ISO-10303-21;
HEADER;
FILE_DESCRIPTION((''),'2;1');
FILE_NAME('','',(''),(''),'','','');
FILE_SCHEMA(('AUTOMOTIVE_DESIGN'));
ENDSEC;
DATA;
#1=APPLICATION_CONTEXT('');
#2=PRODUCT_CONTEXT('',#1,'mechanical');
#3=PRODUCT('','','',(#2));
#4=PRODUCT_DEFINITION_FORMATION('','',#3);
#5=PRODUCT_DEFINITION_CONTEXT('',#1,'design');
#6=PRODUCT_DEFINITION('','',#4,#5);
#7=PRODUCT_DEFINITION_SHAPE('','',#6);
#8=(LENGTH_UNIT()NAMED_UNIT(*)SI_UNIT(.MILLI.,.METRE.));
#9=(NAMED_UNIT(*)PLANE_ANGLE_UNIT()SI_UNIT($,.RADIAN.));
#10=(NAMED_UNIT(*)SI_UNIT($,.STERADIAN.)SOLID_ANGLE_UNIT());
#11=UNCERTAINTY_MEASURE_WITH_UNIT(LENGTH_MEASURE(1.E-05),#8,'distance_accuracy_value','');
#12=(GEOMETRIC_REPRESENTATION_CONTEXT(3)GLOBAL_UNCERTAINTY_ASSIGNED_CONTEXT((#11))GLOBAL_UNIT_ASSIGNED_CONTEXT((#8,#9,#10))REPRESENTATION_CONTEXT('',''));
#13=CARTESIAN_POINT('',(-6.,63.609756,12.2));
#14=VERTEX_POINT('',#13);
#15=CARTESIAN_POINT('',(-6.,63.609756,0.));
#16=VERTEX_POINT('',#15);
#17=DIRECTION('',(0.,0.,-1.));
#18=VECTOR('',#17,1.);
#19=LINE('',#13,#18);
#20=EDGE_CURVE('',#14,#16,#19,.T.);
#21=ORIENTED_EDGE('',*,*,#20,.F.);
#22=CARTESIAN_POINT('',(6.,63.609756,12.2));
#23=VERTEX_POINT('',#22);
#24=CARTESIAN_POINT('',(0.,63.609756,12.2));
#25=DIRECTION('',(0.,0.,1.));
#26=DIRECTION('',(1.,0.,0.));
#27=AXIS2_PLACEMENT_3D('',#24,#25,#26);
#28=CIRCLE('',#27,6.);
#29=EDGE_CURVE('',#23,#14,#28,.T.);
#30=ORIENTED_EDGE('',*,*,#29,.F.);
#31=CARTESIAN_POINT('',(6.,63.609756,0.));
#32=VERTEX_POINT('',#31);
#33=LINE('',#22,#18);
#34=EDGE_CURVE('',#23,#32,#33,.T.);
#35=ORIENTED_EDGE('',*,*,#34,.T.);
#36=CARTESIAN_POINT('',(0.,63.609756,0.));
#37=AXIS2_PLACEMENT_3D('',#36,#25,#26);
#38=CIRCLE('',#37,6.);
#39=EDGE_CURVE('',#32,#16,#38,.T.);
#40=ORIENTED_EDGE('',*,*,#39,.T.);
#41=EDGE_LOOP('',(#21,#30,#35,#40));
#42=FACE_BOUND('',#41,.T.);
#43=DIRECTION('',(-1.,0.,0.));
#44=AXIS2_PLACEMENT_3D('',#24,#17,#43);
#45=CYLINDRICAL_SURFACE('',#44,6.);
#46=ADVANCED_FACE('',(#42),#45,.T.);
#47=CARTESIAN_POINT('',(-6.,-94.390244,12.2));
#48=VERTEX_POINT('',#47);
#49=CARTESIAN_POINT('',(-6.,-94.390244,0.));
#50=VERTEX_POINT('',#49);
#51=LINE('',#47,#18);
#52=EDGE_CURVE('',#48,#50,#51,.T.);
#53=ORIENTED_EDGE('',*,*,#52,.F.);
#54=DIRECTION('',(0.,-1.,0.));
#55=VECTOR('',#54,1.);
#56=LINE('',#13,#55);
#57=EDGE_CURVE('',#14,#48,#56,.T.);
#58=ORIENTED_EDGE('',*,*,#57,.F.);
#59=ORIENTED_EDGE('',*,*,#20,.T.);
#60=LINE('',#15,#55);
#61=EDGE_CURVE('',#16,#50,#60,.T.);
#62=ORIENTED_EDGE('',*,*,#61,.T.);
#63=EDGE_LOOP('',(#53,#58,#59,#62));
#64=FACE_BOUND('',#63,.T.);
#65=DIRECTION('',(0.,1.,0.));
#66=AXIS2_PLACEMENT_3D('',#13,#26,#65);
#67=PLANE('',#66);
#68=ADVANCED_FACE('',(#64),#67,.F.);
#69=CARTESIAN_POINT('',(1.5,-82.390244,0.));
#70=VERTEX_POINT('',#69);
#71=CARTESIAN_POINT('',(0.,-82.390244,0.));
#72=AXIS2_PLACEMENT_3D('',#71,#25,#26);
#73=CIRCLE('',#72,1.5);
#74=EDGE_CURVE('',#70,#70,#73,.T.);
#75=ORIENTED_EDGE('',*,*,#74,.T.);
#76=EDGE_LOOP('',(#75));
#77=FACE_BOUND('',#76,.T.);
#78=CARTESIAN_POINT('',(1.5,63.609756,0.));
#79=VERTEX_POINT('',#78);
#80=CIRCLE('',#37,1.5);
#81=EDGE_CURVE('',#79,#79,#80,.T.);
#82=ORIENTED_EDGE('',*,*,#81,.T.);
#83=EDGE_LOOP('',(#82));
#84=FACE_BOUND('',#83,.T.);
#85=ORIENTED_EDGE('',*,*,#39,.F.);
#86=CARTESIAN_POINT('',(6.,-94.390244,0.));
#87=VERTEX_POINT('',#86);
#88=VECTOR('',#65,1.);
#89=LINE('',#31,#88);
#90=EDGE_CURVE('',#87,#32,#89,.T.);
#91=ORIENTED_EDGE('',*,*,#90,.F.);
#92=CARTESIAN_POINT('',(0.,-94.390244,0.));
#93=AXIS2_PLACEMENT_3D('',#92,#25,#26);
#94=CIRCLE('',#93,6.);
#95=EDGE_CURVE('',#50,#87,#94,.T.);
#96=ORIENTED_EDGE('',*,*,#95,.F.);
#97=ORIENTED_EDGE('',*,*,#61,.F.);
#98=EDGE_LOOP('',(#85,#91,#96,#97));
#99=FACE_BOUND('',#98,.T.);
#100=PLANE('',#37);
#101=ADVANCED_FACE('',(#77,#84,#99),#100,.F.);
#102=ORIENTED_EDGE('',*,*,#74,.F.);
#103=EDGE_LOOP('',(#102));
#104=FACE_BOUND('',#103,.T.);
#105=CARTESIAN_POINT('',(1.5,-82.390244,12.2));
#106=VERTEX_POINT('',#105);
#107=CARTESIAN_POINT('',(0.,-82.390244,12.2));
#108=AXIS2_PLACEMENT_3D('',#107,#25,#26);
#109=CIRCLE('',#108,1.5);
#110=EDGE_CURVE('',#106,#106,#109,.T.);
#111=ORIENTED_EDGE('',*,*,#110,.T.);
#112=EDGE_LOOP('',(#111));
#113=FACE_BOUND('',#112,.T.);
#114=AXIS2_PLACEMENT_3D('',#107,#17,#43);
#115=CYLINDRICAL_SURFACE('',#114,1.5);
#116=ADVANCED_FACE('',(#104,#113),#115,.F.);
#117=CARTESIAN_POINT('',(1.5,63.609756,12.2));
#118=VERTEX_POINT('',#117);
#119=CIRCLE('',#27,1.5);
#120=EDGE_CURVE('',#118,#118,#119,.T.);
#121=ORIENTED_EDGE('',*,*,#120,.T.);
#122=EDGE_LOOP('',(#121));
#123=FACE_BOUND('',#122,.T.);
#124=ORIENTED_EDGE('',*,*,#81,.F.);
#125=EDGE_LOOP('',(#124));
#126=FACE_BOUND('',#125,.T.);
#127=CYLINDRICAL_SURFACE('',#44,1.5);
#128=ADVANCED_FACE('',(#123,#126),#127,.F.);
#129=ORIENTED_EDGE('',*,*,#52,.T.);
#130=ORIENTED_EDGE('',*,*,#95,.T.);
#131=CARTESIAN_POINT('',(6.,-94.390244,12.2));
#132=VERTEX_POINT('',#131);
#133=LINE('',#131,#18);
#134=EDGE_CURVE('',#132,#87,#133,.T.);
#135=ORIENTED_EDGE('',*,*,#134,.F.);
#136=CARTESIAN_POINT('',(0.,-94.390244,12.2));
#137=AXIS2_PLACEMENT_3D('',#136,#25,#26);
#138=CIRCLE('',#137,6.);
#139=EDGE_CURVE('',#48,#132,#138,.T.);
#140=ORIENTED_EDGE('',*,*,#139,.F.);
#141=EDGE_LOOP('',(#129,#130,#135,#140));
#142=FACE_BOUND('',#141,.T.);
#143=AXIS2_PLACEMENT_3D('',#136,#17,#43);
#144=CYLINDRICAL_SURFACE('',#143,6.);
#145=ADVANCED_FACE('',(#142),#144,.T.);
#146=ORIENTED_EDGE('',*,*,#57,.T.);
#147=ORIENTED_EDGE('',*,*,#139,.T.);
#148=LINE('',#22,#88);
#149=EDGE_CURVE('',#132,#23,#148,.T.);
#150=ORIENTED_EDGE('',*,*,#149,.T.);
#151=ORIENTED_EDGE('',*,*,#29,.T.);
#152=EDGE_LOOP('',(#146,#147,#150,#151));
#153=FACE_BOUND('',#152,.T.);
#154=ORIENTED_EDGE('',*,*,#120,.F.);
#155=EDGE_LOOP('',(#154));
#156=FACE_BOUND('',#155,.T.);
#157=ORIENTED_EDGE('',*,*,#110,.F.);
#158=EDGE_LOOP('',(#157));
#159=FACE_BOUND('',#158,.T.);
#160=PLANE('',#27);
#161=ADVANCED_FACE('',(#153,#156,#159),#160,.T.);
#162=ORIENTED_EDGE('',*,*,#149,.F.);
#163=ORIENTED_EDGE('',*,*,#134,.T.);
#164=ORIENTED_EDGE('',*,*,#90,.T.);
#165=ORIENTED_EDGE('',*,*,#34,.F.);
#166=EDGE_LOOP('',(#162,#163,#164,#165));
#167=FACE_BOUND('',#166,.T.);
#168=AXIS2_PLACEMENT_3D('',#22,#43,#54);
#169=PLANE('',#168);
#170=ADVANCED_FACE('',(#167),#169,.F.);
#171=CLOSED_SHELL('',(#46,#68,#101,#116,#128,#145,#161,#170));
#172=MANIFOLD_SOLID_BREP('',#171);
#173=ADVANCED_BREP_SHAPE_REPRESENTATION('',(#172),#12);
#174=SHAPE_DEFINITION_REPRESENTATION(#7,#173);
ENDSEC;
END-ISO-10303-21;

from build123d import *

# Parameters (mm, degrees)
SKETCH1_R           = 1.5
BOSS_EXTRUDE1_DEPTH = 12.2


with BuildPart() as part:
    # Sketch1 → Boss-Extrude1 (new body)
    with BuildSketch(Plane.XY):
        with BuildLine():
            Line((6, 63.609756098), (6, -94.390243902))
            ThreePointArc((6, -94.390243902), (0, -100.390243902), (-6, -94.390243902))
            Line((-6, -94.390243902), (-6, 63.609756098))
            ThreePointArc((-6, 63.609756098), (0, 69.609756098), (6, 63.609756098))
        make_face()
        with Locations((0, -82.390243902)):
            Circle(SKETCH1_R, mode=Mode.SUBTRACT)
        with Locations((0, 63.609756098)):
            Circle(SKETCH1_R, mode=Mode.SUBTRACT)
    extrude(amount=BOSS_EXTRUDE1_DEPTH)


solid = part.part
